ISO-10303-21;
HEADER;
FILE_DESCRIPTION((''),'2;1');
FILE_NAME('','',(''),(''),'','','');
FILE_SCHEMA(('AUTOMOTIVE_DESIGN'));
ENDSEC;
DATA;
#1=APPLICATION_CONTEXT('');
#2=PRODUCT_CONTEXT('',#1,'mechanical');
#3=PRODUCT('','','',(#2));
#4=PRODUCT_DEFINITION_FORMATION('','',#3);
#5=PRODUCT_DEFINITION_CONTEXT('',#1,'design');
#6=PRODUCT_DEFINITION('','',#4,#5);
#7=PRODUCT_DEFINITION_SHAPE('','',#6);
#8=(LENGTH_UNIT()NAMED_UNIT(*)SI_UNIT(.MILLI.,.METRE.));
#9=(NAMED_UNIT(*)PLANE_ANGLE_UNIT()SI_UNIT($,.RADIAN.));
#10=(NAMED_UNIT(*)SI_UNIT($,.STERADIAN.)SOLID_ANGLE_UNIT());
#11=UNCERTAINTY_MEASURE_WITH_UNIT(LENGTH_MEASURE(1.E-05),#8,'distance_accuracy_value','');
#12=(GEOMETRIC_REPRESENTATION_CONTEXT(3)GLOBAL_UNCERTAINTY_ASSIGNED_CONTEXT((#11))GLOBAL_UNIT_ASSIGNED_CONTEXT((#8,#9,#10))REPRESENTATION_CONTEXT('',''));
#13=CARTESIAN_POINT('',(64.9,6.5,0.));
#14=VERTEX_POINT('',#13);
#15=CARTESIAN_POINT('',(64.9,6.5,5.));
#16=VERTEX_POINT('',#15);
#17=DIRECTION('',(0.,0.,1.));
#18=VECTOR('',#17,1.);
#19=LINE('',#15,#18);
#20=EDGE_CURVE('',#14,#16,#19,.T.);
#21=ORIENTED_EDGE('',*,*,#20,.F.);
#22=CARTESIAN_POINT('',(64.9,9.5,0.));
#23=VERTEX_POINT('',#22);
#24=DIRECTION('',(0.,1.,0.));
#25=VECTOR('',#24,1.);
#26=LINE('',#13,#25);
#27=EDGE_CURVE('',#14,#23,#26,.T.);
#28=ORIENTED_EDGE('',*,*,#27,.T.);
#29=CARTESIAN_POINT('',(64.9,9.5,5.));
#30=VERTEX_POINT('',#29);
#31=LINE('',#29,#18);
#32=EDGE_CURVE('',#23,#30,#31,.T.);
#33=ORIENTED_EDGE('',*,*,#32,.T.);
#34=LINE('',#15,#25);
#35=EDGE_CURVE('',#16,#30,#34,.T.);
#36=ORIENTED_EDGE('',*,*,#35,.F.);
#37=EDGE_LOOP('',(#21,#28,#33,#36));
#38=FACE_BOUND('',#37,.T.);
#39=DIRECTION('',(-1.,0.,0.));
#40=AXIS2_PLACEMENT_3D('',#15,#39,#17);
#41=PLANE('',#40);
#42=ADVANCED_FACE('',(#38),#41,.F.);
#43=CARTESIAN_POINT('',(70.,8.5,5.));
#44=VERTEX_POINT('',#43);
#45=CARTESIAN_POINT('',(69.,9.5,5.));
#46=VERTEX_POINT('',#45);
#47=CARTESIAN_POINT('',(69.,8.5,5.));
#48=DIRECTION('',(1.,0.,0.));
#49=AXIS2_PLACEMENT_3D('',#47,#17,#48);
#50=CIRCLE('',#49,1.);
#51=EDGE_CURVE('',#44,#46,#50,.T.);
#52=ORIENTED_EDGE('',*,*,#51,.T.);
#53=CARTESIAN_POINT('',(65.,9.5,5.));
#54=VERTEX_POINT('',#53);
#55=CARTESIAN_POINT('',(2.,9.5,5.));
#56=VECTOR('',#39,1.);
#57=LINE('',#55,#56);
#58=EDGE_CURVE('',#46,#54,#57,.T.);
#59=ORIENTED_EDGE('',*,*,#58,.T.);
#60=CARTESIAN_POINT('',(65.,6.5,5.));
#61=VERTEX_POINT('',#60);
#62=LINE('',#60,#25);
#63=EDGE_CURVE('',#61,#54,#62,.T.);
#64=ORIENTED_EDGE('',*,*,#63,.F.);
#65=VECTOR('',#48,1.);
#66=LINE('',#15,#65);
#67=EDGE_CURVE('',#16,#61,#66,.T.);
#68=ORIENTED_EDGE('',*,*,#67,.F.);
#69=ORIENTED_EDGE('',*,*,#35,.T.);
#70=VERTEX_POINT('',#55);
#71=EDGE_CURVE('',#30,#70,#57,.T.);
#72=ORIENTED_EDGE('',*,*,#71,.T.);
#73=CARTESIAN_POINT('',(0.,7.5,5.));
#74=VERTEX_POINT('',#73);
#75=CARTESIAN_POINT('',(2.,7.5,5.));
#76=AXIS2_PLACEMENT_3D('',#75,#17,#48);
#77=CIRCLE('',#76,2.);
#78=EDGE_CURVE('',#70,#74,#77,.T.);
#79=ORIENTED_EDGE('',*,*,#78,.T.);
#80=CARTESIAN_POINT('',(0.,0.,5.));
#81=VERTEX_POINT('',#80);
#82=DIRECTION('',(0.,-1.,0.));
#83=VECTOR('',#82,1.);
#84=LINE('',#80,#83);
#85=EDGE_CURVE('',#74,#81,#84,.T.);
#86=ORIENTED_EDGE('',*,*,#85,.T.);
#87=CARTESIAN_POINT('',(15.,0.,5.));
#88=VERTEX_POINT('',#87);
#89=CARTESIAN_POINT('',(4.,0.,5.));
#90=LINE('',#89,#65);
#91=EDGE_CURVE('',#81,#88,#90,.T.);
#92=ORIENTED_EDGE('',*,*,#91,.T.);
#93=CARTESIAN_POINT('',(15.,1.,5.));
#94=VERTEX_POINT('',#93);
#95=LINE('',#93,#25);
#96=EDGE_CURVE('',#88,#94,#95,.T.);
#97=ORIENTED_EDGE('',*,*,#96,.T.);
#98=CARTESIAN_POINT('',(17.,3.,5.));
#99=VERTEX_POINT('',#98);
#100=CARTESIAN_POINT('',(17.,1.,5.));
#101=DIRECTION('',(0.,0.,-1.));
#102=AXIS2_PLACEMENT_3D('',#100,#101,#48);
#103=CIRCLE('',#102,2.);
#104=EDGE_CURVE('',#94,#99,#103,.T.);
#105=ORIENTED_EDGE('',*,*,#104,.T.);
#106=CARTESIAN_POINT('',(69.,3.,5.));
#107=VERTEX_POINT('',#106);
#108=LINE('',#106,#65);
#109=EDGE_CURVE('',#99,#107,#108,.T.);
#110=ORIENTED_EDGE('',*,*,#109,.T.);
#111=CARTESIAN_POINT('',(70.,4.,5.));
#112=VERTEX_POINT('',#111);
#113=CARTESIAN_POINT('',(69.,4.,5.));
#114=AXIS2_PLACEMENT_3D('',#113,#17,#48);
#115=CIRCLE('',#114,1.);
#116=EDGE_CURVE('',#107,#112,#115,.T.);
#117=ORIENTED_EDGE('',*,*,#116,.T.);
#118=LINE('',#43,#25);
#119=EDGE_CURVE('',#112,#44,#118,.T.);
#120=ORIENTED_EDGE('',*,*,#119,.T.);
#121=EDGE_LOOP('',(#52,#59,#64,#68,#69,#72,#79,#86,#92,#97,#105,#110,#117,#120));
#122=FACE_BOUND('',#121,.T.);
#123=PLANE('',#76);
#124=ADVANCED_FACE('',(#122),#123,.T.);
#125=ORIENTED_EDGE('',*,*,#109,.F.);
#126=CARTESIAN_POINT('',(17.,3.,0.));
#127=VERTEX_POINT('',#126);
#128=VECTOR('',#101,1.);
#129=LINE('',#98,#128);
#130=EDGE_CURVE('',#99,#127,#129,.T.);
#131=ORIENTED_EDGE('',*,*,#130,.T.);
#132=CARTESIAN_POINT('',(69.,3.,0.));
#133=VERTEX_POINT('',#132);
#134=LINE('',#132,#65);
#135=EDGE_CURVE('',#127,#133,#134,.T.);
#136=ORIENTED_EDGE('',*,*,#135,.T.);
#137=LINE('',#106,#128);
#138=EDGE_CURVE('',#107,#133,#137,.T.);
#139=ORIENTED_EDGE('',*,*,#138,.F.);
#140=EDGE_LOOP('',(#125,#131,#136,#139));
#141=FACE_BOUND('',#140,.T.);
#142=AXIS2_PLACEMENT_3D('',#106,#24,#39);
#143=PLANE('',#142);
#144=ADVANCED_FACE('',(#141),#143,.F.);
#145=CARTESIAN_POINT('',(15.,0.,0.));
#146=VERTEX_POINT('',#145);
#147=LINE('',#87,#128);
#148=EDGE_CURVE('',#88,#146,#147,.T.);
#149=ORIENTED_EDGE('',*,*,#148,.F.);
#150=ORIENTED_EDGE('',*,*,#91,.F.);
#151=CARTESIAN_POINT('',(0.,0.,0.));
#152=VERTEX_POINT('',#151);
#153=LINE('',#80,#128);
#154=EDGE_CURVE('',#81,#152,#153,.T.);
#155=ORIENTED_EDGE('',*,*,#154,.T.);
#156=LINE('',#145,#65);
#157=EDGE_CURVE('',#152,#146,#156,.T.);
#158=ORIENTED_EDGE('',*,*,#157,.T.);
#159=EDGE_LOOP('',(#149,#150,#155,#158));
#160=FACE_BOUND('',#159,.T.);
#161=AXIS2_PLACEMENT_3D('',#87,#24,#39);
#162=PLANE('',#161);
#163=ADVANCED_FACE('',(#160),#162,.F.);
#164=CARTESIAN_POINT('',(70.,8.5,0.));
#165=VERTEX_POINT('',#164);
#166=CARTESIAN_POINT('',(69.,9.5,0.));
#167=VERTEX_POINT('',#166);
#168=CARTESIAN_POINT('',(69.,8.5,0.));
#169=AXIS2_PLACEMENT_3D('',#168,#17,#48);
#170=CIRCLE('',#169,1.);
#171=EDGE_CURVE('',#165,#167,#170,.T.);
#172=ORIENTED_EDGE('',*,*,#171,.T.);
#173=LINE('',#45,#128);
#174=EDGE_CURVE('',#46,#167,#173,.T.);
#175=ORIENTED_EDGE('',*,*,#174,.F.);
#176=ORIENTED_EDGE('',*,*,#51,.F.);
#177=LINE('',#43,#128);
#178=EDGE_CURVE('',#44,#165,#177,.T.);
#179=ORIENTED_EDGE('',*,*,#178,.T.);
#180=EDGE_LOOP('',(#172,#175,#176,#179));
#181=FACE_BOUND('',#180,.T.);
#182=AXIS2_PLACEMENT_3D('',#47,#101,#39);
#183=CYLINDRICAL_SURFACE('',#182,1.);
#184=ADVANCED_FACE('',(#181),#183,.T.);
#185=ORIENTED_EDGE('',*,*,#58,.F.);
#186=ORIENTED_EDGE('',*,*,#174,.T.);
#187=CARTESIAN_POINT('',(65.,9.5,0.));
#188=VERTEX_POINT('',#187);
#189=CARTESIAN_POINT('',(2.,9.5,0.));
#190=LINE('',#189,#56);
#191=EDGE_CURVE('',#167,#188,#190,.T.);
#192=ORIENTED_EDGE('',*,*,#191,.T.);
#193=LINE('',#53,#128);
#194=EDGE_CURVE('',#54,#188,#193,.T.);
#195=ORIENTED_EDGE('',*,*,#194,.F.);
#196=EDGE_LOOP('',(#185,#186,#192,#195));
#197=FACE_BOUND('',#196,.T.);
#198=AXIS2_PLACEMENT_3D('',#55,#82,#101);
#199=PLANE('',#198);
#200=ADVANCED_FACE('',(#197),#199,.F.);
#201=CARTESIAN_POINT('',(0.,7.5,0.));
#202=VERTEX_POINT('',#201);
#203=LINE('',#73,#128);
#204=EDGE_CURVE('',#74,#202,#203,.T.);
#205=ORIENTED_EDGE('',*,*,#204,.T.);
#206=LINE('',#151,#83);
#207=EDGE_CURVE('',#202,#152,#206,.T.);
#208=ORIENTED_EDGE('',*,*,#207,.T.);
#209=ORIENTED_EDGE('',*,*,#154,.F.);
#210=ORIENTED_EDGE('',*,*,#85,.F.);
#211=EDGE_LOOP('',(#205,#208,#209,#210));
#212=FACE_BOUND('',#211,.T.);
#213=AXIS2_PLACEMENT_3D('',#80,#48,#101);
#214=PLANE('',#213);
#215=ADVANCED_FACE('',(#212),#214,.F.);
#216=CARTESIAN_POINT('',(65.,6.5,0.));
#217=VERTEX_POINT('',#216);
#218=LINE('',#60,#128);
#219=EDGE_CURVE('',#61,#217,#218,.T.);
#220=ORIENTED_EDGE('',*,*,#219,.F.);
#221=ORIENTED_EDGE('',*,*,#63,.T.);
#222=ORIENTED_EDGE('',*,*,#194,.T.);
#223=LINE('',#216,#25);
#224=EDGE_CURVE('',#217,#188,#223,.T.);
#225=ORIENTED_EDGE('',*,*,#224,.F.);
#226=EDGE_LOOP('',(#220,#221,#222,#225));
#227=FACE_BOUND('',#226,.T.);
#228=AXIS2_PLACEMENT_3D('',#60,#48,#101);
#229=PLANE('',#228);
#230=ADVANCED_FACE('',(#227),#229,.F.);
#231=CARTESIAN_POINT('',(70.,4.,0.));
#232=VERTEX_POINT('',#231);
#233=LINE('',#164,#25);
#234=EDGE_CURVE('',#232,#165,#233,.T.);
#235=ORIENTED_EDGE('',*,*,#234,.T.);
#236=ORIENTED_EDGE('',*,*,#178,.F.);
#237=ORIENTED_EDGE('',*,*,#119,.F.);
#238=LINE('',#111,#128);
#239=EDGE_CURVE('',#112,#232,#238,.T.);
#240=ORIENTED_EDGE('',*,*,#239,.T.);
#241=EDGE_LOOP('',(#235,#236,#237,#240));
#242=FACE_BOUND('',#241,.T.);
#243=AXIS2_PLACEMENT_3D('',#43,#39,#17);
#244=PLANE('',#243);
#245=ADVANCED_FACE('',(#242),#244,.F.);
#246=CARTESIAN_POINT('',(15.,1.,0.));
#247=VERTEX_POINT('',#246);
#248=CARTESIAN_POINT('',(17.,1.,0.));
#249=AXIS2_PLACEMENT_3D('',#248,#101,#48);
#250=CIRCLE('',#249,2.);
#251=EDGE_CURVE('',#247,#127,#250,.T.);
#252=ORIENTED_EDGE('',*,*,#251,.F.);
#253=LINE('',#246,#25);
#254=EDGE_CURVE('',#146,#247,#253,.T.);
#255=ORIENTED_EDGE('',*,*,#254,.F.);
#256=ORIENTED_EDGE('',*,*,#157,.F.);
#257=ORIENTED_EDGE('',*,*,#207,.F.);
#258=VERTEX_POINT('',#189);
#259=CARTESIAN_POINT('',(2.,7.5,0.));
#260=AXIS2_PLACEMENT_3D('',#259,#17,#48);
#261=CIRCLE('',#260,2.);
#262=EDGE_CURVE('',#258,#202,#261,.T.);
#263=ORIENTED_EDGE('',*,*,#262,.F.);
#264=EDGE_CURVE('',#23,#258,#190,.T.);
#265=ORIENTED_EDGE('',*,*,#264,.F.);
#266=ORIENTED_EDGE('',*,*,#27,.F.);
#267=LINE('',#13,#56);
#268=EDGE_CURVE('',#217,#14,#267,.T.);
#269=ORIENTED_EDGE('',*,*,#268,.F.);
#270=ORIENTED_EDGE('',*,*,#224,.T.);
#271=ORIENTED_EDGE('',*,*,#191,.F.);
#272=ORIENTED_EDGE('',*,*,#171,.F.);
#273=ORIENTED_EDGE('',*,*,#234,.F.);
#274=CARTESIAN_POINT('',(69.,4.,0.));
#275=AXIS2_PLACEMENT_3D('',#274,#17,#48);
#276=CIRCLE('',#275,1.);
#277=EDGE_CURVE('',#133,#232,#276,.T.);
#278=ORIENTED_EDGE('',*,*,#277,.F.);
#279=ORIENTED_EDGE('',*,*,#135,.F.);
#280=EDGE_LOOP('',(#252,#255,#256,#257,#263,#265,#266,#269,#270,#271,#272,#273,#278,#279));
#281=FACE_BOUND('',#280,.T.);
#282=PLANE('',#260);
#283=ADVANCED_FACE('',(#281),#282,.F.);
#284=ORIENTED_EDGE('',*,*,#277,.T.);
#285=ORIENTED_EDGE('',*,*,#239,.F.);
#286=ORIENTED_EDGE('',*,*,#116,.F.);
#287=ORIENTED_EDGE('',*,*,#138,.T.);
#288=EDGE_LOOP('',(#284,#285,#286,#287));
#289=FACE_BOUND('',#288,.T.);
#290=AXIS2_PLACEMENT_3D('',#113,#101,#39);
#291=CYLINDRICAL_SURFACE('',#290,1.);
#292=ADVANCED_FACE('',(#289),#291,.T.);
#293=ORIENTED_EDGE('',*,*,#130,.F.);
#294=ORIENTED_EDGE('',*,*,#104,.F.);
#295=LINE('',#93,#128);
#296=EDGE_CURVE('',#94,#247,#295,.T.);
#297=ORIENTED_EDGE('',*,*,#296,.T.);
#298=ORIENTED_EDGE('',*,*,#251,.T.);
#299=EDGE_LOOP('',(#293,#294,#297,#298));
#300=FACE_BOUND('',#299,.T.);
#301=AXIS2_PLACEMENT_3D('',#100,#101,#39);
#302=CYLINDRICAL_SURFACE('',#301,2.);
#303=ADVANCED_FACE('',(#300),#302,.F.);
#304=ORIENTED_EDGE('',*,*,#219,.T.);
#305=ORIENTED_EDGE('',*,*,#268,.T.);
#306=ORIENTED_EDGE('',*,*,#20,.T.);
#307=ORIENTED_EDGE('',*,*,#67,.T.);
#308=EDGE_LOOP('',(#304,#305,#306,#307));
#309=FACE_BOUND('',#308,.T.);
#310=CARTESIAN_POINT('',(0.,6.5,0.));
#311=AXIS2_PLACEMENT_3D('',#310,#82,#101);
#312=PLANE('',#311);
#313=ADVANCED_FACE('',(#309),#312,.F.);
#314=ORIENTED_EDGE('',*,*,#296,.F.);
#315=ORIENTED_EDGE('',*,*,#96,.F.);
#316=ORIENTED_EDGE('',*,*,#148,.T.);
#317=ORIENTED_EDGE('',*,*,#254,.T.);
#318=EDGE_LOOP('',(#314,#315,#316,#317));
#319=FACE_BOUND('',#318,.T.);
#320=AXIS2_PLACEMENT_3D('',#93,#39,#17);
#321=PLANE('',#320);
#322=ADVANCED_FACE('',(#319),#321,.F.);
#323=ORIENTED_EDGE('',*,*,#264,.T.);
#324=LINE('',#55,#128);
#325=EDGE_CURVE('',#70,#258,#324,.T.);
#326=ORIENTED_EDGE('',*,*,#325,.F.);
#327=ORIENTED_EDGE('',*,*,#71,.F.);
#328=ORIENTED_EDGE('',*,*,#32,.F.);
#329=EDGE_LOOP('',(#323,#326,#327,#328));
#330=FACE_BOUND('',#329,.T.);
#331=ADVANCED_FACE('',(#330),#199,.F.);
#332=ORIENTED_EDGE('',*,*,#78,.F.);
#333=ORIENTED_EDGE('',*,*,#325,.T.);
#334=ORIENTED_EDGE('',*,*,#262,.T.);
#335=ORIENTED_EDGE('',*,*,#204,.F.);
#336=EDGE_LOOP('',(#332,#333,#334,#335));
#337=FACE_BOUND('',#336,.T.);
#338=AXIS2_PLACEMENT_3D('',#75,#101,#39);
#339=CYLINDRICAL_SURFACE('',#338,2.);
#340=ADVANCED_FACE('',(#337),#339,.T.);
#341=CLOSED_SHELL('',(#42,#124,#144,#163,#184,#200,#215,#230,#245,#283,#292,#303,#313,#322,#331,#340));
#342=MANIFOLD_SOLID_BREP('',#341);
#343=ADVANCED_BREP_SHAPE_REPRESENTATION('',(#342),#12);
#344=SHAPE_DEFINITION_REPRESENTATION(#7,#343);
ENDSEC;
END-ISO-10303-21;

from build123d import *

# Parameters (mm, degrees)
BOSS_EXTRUDE1_DEPTH = 5
SKETCH3_W           = 0.1
SKETCH3_H           = 5
CUT_EXTRUDE1_DEPTH  = 3


with BuildPart() as part:
    # Sketch1 → Boss-Extrude1 (new body)
    with BuildSketch(Plane.XY):
        with BuildLine():
            Line((0, 0), (0, 7.5))
            ThreePointArc((0, 7.5), (0.585786438, 8.914213562), (2, 9.5))
            Line((2, 9.5), (69, 9.5))
            ThreePointArc((69, 9.5), (69.707106781, 9.207106781), (70, 8.5))
            Line((70, 8.5), (70, 4))
            ThreePointArc((70, 4), (69.707106781, 3.292893219), (69, 3))
            Line((69, 3), (17, 3))
            ThreePointArc((17, 3), (15.585786438, 2.414213562), (15, 1))
            Line((15, 1), (15, 0))
            Line((15, 0), (11, 0))
            Line((11, 0), (4, 0))
            Line((4, 0), (0, 0))
        make_face()
    extrude(amount=BOSS_EXTRUDE1_DEPTH)

    # Sketch3 → Cut-Extrude1 (cut)
    with BuildSketch(Plane(origin=(0, 9.5, 0), x_dir=(1, 0, 0), z_dir=(0, 1, 0))):
        with Locations((64.95, -2.5)):
            Rectangle(SKETCH3_W, SKETCH3_H)
    extrude(amount=-CUT_EXTRUDE1_DEPTH, mode=Mode.SUBTRACT)


solid = part.part
